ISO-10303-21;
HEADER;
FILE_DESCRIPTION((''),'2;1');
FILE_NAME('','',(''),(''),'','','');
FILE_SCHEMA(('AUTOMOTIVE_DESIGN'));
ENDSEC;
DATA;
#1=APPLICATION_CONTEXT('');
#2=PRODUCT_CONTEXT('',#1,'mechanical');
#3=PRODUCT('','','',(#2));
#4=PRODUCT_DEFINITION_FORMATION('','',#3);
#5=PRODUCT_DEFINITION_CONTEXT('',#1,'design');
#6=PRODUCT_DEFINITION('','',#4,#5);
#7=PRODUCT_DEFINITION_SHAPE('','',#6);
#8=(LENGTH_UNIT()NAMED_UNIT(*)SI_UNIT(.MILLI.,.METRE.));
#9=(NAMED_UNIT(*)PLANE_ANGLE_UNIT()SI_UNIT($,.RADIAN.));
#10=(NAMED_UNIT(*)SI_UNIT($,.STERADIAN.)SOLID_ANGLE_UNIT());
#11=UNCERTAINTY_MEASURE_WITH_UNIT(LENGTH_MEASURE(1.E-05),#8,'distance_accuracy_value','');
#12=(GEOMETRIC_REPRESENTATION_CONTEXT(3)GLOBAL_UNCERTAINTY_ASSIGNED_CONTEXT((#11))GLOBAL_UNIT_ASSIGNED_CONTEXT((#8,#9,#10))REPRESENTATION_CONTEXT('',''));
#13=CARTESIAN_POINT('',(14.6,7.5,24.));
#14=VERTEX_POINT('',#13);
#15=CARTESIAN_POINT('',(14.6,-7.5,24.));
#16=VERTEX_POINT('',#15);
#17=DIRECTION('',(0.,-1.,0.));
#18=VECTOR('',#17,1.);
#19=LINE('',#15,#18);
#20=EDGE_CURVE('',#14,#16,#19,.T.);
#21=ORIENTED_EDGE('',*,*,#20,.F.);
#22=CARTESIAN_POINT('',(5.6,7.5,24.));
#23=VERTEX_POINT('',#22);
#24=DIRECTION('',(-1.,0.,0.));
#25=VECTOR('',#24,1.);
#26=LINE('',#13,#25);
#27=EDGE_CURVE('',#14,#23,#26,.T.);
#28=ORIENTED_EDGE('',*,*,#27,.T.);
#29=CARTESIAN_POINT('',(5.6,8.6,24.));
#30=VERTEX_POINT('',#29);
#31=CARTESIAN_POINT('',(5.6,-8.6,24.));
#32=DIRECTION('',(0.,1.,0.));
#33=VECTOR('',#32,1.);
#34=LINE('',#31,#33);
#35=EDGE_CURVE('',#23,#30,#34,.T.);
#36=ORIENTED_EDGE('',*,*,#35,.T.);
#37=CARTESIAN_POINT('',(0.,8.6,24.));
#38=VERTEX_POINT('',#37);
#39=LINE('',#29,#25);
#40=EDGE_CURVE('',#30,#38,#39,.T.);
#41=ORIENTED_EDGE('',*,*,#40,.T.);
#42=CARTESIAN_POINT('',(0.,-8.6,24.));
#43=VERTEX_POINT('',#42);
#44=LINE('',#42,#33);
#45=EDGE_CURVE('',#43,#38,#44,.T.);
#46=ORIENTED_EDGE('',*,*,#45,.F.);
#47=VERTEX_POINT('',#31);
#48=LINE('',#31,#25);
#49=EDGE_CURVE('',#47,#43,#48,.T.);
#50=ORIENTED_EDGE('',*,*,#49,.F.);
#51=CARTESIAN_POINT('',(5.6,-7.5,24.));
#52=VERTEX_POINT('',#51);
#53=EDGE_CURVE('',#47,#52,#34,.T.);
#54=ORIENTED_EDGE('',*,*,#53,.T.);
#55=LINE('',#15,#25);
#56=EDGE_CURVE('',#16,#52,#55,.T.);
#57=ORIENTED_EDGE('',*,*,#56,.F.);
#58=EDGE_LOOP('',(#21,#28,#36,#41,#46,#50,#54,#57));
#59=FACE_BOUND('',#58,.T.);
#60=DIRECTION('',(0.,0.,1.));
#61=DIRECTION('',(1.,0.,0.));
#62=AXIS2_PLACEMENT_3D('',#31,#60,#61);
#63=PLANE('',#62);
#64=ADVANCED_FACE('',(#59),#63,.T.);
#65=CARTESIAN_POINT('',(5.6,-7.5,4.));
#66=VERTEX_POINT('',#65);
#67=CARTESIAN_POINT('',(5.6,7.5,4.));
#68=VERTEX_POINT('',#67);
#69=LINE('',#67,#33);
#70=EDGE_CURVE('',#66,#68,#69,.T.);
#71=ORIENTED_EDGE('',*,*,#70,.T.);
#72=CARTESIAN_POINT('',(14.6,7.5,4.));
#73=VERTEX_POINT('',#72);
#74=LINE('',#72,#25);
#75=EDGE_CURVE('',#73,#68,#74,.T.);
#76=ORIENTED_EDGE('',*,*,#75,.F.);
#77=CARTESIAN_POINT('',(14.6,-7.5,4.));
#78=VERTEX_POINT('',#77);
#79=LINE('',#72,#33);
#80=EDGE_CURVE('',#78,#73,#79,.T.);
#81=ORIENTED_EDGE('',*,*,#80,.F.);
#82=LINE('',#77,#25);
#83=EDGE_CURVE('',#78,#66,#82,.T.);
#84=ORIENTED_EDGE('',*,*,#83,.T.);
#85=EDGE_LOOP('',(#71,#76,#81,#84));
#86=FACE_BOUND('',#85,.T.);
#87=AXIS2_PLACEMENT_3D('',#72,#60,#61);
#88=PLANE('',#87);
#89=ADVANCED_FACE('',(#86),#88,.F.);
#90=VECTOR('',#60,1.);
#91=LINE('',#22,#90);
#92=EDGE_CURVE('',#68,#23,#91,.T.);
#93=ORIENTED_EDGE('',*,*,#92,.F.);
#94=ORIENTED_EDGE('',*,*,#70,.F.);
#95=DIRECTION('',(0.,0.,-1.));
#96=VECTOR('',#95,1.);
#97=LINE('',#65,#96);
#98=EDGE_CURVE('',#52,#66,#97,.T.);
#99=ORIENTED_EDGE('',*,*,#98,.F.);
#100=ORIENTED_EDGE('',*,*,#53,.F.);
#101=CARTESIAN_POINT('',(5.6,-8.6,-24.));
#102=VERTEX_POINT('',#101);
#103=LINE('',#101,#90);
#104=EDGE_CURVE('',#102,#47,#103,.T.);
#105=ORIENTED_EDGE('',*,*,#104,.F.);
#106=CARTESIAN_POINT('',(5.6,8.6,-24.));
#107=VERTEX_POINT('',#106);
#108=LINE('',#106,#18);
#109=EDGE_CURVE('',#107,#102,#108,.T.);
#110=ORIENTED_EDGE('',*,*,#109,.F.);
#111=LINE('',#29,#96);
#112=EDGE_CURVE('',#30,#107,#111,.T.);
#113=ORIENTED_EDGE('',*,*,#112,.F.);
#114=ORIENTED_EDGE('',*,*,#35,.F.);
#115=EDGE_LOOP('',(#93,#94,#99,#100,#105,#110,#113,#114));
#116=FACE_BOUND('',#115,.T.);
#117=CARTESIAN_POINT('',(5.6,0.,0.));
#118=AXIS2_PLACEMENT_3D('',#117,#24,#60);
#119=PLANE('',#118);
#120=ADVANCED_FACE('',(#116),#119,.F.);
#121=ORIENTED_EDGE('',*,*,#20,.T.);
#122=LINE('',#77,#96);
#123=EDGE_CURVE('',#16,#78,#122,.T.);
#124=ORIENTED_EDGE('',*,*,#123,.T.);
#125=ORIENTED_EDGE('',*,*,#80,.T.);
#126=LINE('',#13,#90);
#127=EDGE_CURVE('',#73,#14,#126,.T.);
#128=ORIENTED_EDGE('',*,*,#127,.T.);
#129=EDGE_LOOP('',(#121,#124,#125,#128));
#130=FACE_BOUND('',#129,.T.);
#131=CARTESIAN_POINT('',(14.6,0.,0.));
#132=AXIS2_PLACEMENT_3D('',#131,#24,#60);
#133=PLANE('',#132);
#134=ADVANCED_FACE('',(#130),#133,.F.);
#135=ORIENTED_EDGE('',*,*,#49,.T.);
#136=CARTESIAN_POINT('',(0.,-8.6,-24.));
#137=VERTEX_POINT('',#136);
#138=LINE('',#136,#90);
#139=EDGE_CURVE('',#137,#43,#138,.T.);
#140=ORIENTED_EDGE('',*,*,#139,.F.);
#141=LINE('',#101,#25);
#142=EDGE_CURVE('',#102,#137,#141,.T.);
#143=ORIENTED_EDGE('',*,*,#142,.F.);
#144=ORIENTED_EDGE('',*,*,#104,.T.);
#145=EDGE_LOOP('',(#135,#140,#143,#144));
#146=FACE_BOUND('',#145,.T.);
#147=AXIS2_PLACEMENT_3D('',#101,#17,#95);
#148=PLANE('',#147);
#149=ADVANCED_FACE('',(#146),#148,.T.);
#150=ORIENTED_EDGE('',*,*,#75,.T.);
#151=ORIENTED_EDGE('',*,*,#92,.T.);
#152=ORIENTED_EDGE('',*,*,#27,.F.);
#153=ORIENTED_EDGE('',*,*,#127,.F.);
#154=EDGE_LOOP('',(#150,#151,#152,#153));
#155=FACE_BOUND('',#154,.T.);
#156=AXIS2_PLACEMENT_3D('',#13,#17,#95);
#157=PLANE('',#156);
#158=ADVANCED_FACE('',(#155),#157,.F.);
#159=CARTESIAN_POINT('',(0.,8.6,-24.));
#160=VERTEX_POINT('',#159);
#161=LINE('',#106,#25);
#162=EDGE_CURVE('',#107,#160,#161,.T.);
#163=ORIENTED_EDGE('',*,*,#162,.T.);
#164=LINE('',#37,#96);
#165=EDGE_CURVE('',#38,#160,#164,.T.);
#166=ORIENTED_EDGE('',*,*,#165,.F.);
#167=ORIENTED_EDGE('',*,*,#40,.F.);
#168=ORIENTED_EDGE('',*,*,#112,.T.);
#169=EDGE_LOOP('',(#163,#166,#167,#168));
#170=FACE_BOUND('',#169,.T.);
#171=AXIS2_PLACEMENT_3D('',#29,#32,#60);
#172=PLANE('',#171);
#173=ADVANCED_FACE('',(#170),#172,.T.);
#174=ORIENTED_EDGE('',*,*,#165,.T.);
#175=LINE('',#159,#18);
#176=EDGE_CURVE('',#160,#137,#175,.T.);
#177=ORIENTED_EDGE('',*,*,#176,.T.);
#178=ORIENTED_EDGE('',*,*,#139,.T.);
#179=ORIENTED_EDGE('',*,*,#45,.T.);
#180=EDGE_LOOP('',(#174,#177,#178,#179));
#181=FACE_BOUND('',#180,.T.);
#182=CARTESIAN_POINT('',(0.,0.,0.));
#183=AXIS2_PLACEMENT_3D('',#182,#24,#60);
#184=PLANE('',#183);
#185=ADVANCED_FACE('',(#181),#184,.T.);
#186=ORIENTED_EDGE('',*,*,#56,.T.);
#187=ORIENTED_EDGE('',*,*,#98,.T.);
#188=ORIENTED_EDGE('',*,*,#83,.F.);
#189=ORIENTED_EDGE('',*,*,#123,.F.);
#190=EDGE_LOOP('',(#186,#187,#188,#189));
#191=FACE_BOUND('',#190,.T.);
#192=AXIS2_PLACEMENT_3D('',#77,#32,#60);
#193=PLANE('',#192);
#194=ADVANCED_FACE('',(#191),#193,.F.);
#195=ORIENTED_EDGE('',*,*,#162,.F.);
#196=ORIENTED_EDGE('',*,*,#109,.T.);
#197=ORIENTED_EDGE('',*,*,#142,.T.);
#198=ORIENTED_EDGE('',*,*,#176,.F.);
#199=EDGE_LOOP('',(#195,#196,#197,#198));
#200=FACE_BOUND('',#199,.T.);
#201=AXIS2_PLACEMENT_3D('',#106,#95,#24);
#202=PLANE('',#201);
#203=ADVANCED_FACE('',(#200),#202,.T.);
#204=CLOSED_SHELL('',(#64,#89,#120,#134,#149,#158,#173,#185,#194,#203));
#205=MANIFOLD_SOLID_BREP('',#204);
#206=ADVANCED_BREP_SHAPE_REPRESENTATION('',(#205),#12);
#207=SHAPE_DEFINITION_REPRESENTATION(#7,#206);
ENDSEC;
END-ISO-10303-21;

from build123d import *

# Parameters (mm, degrees)
SKETCH_1_W      = 17.2
SKETCH_1_H      = 48
EXTRUDE_1_DEPTH = 5.6
SKETCH_2_W      = 20
SKETCH_2_H      = 15
EXTRUDE_2_DEPTH = 9


with BuildPart() as part:
    # 草图1 → 凸台-拉伸1 (new body)
    with BuildSketch(Plane(origin=(0, 0, 0), x_dir=(0, -1, 0), z_dir=(-1, 0, 0))):
        Rectangle(SKETCH_1_W, SKETCH_1_H)
    extrude(amount=-EXTRUDE_1_DEPTH)

    # 草图2 → 凸台-拉伸2 (add)
    with BuildSketch(Plane(origin=(5.6, 0, 0), x_dir=(0, 0, -1), z_dir=(1, 0, 0))):
        with Locations((-14, 0)):
            Rectangle(SKETCH_2_W, SKETCH_2_H)
    extrude(amount=EXTRUDE_2_DEPTH)


solid = part.part
